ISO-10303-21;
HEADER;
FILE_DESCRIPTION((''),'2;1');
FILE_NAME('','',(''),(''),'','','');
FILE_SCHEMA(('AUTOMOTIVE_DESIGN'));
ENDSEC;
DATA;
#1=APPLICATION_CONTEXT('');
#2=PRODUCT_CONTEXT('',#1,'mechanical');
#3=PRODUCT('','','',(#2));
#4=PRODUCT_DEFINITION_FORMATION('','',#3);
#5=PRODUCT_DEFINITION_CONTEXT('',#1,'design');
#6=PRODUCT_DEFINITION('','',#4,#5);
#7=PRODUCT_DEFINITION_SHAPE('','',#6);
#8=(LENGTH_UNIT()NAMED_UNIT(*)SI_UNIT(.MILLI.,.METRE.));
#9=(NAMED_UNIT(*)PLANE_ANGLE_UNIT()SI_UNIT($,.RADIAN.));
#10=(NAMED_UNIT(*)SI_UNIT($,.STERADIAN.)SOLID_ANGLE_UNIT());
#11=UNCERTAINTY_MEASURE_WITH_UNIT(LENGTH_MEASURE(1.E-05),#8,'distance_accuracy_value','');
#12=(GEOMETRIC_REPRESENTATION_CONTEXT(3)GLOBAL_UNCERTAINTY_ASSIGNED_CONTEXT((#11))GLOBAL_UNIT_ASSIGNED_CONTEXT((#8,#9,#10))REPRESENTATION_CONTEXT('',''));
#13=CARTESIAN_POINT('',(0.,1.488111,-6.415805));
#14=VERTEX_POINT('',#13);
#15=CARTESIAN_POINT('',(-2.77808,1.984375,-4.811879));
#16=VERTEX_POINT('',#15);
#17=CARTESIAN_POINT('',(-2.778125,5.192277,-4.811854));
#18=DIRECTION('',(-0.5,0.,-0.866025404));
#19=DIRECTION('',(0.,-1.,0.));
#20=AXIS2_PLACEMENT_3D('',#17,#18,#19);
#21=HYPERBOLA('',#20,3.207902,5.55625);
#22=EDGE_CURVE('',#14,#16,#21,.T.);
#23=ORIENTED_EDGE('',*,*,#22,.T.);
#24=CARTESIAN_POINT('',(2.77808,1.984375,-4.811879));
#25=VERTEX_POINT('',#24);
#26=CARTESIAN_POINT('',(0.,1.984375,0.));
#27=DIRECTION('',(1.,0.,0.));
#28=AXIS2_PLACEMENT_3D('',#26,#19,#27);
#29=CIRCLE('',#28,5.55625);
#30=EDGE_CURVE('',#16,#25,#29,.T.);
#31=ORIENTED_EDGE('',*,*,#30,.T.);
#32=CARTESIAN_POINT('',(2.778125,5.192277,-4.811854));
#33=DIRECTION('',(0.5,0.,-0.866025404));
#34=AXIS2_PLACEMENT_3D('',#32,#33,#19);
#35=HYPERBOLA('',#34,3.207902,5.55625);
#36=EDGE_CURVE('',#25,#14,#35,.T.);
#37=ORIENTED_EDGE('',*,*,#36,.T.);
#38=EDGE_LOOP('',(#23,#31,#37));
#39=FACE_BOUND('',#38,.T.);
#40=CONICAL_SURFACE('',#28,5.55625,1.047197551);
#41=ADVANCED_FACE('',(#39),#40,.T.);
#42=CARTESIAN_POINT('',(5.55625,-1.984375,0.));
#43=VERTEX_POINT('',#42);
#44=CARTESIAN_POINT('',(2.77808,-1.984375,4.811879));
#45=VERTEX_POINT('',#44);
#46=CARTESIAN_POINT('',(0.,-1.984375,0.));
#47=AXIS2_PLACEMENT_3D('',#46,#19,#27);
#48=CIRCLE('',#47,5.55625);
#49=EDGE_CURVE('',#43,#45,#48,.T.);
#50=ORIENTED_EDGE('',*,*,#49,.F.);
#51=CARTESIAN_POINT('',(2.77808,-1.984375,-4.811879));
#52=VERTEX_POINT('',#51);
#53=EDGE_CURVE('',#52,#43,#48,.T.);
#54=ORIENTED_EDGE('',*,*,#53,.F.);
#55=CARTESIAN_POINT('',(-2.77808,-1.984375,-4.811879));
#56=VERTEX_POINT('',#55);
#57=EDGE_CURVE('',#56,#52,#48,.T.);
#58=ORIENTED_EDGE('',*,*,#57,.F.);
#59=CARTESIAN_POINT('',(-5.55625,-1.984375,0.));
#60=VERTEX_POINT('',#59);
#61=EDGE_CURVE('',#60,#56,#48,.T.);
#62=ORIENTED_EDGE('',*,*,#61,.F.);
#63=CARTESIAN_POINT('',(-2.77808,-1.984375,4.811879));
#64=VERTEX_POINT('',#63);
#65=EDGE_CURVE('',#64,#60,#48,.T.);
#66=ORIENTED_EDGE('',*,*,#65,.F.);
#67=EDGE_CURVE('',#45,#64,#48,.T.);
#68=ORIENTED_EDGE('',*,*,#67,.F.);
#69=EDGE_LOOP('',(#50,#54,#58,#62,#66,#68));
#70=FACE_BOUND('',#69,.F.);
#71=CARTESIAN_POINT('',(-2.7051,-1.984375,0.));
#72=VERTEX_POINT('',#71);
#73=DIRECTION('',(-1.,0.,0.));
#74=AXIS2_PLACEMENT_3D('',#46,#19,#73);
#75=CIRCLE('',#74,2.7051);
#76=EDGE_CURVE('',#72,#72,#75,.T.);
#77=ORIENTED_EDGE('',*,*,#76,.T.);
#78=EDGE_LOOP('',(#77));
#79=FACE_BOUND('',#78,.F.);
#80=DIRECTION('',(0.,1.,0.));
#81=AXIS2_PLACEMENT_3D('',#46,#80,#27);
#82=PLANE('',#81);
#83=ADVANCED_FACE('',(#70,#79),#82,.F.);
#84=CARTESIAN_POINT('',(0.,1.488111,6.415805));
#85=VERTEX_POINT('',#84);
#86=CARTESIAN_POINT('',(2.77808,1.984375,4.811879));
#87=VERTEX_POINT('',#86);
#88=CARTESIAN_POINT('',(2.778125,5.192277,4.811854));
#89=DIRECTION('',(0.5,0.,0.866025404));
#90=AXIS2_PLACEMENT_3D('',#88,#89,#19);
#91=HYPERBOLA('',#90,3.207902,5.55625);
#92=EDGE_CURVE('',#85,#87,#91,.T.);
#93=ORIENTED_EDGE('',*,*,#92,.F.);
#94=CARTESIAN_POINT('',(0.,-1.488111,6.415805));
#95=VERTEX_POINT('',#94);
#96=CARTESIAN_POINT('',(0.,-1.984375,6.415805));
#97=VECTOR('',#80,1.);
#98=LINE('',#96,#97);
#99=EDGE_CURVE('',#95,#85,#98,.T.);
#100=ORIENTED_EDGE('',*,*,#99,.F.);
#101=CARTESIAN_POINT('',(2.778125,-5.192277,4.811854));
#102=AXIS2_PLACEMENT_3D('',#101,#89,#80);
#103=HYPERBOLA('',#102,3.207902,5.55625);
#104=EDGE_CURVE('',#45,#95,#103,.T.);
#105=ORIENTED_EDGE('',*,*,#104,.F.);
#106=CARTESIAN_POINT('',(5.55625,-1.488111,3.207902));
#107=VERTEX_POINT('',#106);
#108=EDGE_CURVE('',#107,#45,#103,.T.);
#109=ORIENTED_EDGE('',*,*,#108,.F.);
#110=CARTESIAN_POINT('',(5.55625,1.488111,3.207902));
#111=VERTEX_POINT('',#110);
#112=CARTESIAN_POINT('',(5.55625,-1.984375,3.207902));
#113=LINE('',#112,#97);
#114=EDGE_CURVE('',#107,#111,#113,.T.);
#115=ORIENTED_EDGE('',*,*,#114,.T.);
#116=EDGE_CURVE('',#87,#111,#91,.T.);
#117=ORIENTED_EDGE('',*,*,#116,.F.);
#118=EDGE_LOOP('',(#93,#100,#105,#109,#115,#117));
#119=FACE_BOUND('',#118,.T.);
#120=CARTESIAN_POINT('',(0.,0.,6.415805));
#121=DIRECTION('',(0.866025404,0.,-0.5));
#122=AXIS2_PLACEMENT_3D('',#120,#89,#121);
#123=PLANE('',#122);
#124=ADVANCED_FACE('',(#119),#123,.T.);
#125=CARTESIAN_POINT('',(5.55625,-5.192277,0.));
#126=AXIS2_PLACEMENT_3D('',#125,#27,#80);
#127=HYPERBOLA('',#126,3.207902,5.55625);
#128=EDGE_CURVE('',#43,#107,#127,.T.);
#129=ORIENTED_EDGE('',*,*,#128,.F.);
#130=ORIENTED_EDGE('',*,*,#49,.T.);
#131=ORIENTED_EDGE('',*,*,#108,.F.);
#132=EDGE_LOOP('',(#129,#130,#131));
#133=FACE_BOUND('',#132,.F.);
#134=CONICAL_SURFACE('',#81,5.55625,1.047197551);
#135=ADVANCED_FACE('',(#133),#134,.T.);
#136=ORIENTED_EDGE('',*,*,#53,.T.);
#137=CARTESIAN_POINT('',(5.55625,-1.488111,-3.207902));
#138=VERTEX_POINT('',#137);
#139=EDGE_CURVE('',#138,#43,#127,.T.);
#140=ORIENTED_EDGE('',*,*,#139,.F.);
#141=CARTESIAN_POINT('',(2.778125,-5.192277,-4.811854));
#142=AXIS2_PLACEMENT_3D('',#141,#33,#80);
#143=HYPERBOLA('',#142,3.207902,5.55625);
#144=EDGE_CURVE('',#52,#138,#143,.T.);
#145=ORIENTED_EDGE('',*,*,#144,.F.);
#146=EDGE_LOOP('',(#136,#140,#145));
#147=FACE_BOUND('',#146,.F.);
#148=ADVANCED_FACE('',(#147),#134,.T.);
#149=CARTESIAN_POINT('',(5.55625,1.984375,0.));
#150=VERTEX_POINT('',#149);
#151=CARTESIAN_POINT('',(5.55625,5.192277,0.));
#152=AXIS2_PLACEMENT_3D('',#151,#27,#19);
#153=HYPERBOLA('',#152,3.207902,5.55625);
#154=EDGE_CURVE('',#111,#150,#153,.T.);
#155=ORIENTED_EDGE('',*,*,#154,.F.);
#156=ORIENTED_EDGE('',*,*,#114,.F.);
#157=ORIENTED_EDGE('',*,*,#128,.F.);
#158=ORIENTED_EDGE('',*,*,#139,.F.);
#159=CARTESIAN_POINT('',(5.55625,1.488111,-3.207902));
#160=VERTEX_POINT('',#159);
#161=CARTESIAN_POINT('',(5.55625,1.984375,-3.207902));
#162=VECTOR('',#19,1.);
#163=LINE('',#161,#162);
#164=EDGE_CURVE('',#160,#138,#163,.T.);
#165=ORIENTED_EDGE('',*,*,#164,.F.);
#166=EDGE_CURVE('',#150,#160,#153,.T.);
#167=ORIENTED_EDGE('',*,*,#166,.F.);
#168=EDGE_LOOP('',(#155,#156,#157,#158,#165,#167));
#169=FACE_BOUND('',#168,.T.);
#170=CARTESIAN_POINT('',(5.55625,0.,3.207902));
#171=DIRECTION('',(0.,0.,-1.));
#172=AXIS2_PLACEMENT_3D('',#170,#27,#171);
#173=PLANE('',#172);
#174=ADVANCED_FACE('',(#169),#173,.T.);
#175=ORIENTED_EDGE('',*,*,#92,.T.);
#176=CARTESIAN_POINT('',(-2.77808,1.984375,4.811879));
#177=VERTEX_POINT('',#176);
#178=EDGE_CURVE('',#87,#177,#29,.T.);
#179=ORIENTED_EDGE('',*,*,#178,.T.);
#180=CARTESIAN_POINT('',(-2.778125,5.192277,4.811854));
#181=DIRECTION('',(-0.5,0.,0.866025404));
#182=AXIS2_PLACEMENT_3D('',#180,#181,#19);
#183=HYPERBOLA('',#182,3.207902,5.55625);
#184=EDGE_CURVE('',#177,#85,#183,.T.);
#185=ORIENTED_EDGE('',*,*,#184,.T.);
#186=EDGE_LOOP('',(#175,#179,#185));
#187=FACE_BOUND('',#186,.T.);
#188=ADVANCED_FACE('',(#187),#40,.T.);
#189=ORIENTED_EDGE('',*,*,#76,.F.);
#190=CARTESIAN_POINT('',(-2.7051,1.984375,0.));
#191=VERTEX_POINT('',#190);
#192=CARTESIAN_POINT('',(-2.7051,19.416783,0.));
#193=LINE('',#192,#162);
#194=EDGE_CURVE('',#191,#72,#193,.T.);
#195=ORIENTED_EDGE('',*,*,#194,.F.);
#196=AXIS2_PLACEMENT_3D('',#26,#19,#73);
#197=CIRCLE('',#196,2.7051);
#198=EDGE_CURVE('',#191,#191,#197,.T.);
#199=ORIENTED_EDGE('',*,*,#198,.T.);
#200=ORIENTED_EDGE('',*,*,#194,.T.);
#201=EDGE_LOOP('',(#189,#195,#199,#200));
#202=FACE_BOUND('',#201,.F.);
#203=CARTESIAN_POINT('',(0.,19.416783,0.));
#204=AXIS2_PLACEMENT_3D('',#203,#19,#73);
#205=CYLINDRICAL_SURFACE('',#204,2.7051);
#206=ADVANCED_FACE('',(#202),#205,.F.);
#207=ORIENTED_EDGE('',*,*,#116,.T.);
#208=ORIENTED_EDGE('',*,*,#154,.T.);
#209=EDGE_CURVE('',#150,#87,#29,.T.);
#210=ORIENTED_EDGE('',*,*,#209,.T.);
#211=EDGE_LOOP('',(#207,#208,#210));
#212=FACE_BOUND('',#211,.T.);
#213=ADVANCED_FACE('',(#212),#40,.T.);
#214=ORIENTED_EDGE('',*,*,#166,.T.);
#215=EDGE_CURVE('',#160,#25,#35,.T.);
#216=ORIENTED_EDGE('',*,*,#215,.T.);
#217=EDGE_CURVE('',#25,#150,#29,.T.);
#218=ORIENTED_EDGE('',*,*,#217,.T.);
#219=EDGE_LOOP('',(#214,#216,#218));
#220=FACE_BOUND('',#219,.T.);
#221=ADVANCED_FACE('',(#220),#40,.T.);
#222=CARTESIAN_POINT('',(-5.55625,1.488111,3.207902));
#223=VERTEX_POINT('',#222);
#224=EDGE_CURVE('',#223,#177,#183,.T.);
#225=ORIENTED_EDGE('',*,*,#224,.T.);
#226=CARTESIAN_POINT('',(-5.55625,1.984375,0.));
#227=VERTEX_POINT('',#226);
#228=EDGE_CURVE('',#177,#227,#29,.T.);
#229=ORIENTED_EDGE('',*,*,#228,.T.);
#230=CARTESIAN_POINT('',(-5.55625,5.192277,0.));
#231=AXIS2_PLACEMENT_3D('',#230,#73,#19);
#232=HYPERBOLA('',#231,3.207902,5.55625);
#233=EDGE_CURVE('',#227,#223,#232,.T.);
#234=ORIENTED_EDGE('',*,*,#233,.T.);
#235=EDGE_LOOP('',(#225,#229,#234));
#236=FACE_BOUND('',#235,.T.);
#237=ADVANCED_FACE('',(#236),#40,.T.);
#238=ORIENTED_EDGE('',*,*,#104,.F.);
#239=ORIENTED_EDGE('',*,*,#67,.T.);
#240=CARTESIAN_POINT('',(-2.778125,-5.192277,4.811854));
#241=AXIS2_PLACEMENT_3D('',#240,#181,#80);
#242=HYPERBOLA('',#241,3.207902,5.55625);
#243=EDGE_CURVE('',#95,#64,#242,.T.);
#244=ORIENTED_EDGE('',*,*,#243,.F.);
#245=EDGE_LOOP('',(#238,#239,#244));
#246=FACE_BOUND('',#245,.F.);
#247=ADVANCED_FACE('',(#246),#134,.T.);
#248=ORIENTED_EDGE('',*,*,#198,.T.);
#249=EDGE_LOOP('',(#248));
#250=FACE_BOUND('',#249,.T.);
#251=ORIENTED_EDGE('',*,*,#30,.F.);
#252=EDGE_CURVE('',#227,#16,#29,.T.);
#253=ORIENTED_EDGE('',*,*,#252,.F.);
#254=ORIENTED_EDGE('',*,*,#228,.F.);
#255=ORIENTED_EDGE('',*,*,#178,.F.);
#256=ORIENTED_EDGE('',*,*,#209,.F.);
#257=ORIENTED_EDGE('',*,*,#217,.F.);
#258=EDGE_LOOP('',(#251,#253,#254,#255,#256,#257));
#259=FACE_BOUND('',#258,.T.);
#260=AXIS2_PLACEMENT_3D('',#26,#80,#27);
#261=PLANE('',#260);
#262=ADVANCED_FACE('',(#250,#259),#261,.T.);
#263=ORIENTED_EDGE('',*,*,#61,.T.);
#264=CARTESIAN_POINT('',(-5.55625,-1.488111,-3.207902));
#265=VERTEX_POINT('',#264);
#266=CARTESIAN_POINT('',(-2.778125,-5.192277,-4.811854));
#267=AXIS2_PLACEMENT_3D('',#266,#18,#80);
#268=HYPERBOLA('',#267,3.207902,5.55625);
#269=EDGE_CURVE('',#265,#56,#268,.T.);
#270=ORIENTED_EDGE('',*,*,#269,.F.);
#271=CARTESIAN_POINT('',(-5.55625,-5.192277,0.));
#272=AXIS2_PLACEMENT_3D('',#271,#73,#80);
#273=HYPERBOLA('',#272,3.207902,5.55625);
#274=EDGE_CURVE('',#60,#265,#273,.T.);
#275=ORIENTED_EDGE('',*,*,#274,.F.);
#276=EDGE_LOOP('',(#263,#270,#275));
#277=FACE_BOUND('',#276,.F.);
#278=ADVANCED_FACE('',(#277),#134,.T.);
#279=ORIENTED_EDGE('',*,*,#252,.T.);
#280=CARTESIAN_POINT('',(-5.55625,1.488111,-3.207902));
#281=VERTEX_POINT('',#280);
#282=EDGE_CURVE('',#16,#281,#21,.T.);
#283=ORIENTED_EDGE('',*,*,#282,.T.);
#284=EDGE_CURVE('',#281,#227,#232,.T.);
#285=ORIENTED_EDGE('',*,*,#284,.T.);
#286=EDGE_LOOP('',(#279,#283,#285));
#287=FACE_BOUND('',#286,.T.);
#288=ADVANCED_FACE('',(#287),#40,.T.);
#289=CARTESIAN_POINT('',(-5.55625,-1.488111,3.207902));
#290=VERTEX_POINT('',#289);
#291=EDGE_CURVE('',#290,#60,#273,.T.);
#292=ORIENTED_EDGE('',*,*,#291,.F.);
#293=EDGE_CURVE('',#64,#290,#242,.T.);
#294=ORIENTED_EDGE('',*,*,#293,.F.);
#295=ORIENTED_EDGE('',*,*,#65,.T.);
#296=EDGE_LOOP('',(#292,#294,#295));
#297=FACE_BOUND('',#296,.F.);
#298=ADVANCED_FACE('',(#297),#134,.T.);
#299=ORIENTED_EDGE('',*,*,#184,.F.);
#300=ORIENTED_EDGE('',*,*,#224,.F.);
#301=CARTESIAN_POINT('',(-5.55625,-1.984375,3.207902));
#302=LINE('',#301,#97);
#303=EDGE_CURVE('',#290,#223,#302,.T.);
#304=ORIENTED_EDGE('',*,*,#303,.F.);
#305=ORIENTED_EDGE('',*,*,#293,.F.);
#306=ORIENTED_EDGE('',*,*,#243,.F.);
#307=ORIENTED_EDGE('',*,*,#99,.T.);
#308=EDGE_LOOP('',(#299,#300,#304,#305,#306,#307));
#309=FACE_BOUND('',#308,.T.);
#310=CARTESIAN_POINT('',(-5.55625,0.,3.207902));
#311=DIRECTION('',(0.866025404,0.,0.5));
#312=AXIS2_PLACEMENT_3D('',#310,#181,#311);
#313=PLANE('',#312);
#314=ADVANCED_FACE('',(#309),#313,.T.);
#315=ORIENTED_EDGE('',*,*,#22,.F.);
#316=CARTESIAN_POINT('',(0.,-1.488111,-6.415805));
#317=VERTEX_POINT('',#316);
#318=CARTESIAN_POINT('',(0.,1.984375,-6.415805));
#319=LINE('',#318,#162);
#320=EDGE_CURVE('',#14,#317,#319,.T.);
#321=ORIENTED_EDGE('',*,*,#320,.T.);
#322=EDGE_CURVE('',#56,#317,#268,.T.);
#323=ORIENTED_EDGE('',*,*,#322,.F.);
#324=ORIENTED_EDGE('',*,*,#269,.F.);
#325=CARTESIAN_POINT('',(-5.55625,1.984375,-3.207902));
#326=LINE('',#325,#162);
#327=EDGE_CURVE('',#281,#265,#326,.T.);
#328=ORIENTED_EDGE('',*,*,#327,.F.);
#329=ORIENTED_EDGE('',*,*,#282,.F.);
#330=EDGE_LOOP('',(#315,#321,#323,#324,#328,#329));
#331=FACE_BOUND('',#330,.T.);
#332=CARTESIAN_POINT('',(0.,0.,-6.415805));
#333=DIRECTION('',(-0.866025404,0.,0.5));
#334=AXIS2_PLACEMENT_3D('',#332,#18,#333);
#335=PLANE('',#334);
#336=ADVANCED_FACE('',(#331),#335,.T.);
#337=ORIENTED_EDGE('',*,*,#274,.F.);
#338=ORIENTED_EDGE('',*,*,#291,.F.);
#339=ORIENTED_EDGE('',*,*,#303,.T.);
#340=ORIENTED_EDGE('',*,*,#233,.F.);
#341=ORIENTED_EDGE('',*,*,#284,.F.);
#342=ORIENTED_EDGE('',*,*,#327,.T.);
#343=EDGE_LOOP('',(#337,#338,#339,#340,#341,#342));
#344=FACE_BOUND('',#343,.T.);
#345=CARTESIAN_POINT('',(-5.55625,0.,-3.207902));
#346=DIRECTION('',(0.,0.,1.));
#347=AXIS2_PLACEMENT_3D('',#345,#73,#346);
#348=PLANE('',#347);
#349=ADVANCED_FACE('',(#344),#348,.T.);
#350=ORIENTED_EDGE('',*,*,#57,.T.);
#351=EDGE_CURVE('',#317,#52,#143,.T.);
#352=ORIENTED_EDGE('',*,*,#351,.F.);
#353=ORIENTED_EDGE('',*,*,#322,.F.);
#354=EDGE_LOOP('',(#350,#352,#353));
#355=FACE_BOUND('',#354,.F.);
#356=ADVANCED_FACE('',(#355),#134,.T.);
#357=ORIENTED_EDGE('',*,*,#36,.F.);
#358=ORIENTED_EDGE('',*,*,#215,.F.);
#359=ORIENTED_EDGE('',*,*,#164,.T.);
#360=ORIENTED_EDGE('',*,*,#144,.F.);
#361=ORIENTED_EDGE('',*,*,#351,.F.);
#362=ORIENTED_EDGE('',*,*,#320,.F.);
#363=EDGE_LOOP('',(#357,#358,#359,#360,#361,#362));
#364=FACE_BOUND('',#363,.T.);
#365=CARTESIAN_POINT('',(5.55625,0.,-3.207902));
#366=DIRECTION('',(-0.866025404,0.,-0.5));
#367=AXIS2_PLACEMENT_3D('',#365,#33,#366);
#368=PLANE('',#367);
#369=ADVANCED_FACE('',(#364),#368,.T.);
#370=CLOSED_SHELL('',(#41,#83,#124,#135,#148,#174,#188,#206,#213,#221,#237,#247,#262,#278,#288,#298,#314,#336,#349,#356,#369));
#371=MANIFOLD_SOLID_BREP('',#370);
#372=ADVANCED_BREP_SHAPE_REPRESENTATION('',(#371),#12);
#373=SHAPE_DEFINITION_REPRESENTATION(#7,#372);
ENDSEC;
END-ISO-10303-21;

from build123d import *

# Parameters (mm, degrees)
BOSS_EXTRUDE1_DEPTH     = 1.984375
F_1_4_28_TAPPED_HOLE1_D = 5.4102
SKETCH5_OUTSIDE_W       = 33.81
SKETCH5_OUTSIDE_H       = 35.53
SKETCH5_OUTSIDE_R       = 5.55625
CUT_EXTRUDE2_DEPTH      = 4.96875
CUT_EXTRUDE2_TAPER      = 60


with BuildPart() as part:
    # Sketch1 → Boss-Extrude1 (new body, symmetric)
    with BuildSketch(Plane(origin=(0, 0, 0), x_dir=(1, 0, 0), z_dir=(0, 1, 0))):
        Polygon((-5.55625, 3.207902433), (-5.55625, -3.207902433), (0, -6.415804866), (5.55625, -3.207902433), (5.55625, 3.207902433), (0, 6.415804866), align=None)
    extrude(amount=BOSS_EXTRUDE1_DEPTH, both=True)

    # 1/4-28 Tapped Hole1 (through all)
    with Locations(Plane(origin=(0, 1.984375, 0), x_dir=(1, 0, 0), z_dir=(0, 1, 0))):
        with Locations((0, 0)):
            Hole(F_1_4_28_TAPPED_HOLE1_D / 2)

    # Sketch5 outside → Cut-Extrude2 (cut, through all)
    with BuildSketch(Plane(origin=(0, 1.984375, 0), x_dir=(1, 0, 0), z_dir=(0, 1, 0))):
        Rectangle(SKETCH5_OUTSIDE_W, SKETCH5_OUTSIDE_H)
        Circle(SKETCH5_OUTSIDE_R, mode=Mode.SUBTRACT)
    cut_extrude2 = extrude(amount=-CUT_EXTRUDE2_DEPTH, taper=CUT_EXTRUDE2_TAPER, mode=Mode.SUBTRACT)

    # Mirror1: Cut-Extrude2 across plane
    add(cut_extrude2.mirror(Plane.ZX), mode=Mode.SUBTRACT)


solid = part.part
